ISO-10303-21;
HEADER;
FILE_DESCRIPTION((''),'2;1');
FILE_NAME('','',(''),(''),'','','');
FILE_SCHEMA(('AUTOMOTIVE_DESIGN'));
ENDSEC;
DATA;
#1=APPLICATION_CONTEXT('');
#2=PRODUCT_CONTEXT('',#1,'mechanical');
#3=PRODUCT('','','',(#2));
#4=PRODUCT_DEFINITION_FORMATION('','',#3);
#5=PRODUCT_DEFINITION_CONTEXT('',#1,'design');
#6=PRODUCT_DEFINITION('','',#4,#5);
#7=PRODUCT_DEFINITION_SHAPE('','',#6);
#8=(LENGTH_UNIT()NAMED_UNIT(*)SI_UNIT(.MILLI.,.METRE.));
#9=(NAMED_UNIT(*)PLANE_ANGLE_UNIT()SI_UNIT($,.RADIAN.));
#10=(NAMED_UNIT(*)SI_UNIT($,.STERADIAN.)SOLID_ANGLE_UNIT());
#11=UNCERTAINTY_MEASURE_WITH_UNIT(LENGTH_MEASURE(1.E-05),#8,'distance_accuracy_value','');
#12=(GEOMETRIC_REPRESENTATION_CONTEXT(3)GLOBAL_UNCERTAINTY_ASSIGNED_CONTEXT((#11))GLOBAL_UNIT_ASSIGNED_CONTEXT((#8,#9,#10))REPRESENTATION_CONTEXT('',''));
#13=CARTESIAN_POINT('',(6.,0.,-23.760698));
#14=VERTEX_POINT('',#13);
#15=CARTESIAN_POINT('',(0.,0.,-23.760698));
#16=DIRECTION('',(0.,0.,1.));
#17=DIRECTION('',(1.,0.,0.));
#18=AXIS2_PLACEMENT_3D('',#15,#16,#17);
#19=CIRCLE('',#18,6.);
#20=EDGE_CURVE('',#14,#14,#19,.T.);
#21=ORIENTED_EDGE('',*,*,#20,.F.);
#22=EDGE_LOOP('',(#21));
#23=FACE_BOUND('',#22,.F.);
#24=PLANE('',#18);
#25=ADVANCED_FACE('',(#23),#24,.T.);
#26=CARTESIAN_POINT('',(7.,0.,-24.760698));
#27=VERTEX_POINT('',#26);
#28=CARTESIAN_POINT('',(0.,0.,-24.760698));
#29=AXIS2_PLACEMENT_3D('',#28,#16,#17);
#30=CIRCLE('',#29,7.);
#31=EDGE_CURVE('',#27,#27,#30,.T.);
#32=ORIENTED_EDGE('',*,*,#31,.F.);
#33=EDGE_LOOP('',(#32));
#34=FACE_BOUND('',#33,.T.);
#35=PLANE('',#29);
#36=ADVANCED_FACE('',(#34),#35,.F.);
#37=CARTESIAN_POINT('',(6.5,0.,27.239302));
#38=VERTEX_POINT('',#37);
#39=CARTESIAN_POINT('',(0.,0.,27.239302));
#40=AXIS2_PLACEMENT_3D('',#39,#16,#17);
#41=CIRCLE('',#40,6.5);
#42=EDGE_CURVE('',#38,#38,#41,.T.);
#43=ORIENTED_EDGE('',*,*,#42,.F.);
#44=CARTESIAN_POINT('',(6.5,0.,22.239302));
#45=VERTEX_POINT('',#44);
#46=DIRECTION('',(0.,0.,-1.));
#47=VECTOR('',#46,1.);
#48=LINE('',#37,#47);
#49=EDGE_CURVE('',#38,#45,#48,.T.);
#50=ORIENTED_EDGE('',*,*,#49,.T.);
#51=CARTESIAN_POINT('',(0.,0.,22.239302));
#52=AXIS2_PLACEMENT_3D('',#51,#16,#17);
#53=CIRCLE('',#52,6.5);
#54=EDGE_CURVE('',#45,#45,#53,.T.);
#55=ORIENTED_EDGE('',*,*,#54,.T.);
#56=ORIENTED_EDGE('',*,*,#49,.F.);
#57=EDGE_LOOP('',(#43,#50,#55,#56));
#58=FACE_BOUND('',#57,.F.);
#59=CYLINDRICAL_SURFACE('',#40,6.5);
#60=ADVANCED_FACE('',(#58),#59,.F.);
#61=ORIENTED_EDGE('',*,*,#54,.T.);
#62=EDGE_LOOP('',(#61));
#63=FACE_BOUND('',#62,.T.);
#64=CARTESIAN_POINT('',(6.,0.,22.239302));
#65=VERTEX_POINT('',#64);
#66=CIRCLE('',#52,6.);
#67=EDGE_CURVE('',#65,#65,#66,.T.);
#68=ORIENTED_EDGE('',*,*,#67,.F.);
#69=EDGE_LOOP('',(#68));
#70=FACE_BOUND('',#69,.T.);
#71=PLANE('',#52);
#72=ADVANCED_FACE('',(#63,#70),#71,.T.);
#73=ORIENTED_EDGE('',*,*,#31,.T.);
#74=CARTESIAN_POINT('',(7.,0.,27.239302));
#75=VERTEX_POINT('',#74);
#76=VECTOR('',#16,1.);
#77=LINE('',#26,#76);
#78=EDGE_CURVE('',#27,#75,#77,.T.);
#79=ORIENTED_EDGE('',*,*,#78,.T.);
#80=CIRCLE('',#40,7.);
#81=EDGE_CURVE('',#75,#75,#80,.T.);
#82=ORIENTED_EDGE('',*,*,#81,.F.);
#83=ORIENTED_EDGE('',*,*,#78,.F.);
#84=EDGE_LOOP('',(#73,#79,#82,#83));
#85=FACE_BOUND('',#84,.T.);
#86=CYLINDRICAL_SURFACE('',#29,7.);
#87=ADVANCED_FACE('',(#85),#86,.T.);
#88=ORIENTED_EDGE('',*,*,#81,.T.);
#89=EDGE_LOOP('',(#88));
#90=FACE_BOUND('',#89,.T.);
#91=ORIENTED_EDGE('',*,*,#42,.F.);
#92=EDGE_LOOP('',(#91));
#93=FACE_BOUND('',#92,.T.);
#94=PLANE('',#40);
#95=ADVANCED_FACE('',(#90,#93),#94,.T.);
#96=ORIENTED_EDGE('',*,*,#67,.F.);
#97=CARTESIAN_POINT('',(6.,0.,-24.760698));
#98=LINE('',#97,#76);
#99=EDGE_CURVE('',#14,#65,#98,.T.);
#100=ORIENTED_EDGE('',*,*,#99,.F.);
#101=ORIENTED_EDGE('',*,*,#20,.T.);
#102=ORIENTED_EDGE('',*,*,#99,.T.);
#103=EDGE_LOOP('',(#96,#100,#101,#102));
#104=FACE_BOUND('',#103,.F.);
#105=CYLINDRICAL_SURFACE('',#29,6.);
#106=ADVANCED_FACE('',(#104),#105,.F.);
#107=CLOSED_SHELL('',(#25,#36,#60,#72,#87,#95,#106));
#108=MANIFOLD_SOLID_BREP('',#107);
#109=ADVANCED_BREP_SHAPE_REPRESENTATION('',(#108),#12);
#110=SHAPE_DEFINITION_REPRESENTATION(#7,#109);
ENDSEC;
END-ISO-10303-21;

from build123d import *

# Parameters (mm, degrees)
F2_T     = -1
F3_R     = 6.5
F4_DEPTH = 5


with BuildPart() as f1:
    # F0 (on Front) → F1 (revolve)
    with BuildSketch(Plane.XZ):
        Polygon((0, 27.239302), (0, 0), (0, -24.760698), (7, -24.760698), (7, 27.239302), align=None)
    revolve(axis=Axis((0, 0, 13.619651), (0, 0, 1)))

    # F2
    f2_openings = [f1.faces().sort_by_distance(p)[0] for p in [
        (0, 0, 27.239302),
    ]]
    offset(amount=F2_T, openings=f2_openings)

    # F3 (on face) → F4 (cut)
    with BuildSketch(Plane.XY.offset(27.239302)):
        Circle(F3_R)
    extrude(amount=-F4_DEPTH, mode=Mode.SUBTRACT)


solid = f1.part
